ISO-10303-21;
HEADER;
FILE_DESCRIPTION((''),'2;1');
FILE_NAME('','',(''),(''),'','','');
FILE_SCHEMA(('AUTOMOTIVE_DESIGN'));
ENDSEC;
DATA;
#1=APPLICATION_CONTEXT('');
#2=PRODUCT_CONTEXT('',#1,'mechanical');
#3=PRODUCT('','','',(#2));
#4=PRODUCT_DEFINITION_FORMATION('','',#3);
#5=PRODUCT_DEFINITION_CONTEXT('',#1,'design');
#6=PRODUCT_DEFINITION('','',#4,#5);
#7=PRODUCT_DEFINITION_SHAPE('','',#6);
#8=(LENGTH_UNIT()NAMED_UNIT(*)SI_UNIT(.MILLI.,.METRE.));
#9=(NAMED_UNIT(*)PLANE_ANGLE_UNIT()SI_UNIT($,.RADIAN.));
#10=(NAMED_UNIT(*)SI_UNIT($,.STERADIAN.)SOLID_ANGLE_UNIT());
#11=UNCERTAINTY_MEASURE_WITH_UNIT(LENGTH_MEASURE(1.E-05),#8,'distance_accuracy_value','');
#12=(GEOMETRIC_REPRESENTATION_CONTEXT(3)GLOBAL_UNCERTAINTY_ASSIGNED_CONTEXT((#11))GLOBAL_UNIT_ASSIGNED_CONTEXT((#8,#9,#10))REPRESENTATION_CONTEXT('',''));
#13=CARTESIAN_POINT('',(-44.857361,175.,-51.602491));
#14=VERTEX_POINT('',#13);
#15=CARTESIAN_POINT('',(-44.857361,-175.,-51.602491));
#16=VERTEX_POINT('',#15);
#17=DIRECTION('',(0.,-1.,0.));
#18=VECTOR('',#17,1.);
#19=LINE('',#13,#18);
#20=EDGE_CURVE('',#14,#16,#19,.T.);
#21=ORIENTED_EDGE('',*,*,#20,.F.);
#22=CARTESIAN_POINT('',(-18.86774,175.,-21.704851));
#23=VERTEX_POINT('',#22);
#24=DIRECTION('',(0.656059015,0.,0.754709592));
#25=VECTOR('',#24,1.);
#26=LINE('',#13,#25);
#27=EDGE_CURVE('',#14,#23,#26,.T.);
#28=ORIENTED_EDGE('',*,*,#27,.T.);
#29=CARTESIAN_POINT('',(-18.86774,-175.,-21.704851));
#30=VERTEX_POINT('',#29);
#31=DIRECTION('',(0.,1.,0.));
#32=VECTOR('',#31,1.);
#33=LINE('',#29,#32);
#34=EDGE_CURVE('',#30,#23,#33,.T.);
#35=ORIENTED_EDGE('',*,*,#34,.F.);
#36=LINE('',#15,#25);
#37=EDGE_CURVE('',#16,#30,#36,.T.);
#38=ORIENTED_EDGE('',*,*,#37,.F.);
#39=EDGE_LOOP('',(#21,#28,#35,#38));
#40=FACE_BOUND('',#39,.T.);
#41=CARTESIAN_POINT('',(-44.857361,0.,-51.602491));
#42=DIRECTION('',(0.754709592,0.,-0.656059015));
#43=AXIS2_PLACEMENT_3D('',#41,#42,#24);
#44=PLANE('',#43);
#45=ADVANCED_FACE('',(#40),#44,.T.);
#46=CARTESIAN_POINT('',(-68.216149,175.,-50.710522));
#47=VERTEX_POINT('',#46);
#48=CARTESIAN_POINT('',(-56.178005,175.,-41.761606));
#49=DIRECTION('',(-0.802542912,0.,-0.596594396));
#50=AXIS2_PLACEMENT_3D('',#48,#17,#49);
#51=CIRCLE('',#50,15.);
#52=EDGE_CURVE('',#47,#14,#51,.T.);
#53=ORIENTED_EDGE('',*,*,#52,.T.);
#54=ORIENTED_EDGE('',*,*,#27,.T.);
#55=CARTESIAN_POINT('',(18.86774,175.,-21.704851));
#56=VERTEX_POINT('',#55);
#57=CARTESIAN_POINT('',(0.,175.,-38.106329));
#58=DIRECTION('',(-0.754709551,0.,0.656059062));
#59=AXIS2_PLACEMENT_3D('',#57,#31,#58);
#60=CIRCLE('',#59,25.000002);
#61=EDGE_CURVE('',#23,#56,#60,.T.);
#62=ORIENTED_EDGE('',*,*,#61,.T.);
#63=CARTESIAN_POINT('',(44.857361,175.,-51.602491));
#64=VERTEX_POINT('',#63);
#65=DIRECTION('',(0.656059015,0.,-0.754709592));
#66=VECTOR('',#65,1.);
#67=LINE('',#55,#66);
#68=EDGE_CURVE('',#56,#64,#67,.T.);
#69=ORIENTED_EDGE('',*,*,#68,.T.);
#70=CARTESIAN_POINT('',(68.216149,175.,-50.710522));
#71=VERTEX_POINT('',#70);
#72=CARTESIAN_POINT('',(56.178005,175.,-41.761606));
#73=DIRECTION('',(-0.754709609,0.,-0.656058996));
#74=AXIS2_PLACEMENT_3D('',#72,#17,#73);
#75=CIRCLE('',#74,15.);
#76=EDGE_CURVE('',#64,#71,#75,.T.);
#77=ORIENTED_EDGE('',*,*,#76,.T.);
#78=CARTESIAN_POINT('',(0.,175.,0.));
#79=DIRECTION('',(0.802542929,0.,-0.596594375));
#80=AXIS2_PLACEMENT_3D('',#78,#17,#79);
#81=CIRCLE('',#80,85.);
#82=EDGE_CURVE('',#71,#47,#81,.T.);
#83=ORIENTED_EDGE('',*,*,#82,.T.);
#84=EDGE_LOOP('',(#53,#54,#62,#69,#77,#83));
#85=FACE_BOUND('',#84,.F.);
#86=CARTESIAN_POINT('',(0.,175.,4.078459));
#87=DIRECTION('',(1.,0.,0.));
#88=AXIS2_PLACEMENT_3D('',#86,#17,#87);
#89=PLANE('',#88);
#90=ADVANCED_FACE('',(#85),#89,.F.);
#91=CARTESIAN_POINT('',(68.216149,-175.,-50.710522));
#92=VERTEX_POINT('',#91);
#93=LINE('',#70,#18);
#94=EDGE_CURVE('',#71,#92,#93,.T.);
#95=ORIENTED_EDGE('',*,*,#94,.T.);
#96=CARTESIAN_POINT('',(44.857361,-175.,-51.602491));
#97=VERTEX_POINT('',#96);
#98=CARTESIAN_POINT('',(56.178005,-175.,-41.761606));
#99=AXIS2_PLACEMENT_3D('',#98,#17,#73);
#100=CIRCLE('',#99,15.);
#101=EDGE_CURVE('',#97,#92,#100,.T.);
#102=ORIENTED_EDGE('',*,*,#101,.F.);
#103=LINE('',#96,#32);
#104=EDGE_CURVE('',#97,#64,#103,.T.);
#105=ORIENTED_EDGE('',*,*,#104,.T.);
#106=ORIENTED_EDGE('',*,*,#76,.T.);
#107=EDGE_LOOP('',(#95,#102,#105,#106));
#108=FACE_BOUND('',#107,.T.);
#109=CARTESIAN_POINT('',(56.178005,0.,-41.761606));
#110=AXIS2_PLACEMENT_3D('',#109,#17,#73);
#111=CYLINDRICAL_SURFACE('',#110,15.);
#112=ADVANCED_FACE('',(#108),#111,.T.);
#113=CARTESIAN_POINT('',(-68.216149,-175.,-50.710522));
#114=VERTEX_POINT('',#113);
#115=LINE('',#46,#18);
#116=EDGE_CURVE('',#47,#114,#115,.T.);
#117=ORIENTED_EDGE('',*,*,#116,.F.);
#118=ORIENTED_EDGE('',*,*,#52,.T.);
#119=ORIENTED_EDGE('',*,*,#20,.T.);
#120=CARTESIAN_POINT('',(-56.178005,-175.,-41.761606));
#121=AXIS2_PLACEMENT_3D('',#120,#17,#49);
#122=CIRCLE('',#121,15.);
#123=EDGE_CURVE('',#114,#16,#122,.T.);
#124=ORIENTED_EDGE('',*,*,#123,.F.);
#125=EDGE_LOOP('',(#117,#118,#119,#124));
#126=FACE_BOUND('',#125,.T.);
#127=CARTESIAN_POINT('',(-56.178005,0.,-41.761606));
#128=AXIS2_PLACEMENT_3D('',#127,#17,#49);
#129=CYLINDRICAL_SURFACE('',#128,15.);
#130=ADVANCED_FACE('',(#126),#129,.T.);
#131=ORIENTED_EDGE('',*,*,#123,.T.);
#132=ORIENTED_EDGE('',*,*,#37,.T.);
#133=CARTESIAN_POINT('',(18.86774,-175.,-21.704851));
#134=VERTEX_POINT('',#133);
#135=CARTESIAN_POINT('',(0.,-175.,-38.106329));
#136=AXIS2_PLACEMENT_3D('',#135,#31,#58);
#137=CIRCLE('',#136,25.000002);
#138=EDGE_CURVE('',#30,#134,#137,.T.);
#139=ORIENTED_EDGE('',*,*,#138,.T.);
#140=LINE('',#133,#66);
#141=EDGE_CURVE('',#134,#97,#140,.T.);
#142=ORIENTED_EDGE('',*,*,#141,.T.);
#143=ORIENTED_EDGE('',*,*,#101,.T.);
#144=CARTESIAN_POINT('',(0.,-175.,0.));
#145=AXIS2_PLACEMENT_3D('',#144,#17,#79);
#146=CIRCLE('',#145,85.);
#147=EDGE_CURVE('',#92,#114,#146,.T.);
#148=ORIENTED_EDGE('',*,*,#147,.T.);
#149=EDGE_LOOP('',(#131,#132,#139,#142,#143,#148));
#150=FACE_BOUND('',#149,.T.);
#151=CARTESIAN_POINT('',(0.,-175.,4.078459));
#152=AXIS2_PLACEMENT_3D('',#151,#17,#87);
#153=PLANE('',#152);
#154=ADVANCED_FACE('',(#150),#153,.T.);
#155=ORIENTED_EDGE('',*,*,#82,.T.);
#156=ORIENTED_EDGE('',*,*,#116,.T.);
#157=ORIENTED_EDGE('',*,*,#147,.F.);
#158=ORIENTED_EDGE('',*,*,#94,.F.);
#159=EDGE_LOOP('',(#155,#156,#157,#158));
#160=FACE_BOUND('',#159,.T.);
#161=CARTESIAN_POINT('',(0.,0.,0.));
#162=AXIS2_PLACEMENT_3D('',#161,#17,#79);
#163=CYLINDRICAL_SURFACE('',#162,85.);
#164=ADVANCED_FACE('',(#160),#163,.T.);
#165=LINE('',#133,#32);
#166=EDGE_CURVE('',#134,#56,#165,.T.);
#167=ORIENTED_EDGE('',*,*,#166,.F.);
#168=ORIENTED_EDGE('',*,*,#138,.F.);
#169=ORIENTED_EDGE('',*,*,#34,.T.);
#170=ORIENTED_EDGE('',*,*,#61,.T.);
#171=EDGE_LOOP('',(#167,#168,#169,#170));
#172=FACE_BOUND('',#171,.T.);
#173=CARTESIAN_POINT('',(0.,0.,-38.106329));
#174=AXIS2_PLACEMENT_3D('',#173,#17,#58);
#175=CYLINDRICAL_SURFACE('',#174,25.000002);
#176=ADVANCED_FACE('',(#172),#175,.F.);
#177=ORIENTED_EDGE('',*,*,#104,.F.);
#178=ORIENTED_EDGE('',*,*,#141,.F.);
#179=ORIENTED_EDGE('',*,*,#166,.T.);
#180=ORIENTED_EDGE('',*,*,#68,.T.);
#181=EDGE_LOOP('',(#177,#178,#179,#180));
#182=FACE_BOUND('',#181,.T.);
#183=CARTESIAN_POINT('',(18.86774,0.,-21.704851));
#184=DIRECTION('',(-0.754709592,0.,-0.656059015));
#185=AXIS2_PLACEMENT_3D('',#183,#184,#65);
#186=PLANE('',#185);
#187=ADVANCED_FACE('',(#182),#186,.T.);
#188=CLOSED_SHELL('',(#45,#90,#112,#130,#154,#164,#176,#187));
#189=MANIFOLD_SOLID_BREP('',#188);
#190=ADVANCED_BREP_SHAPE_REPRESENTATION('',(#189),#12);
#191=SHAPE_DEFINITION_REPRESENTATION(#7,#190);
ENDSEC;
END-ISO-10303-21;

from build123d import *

# Parameters (mm, degrees)
F1_DEPTH = 175


with BuildPart() as f1:
    # F0 (on Front) → F1 (new body, symmetric)
    with BuildSketch(Plane.XZ):
        with BuildLine():
            ThreePointArc((44.857361, -51.602491), (56.750372, -56.750682), (68.216149, -50.710522))
            ThreePointArc((68.216149, -50.710522), (0, 85), (-68.216149, -50.710522))
            ThreePointArc((-68.216149, -50.710522), (-56.750372, -56.750682), (-44.857361, -51.602491))
            Line((-44.857361, -51.602491), (-18.86774, -21.704851))
            ThreePointArc((-18.86774, -21.704851), (0, -13.106327), (18.86774, -21.704851))
            Line((18.86774, -21.704851), (44.857361, -51.602491))
        make_face()
    extrude(amount=F1_DEPTH, both=True)


solid = f1.part
